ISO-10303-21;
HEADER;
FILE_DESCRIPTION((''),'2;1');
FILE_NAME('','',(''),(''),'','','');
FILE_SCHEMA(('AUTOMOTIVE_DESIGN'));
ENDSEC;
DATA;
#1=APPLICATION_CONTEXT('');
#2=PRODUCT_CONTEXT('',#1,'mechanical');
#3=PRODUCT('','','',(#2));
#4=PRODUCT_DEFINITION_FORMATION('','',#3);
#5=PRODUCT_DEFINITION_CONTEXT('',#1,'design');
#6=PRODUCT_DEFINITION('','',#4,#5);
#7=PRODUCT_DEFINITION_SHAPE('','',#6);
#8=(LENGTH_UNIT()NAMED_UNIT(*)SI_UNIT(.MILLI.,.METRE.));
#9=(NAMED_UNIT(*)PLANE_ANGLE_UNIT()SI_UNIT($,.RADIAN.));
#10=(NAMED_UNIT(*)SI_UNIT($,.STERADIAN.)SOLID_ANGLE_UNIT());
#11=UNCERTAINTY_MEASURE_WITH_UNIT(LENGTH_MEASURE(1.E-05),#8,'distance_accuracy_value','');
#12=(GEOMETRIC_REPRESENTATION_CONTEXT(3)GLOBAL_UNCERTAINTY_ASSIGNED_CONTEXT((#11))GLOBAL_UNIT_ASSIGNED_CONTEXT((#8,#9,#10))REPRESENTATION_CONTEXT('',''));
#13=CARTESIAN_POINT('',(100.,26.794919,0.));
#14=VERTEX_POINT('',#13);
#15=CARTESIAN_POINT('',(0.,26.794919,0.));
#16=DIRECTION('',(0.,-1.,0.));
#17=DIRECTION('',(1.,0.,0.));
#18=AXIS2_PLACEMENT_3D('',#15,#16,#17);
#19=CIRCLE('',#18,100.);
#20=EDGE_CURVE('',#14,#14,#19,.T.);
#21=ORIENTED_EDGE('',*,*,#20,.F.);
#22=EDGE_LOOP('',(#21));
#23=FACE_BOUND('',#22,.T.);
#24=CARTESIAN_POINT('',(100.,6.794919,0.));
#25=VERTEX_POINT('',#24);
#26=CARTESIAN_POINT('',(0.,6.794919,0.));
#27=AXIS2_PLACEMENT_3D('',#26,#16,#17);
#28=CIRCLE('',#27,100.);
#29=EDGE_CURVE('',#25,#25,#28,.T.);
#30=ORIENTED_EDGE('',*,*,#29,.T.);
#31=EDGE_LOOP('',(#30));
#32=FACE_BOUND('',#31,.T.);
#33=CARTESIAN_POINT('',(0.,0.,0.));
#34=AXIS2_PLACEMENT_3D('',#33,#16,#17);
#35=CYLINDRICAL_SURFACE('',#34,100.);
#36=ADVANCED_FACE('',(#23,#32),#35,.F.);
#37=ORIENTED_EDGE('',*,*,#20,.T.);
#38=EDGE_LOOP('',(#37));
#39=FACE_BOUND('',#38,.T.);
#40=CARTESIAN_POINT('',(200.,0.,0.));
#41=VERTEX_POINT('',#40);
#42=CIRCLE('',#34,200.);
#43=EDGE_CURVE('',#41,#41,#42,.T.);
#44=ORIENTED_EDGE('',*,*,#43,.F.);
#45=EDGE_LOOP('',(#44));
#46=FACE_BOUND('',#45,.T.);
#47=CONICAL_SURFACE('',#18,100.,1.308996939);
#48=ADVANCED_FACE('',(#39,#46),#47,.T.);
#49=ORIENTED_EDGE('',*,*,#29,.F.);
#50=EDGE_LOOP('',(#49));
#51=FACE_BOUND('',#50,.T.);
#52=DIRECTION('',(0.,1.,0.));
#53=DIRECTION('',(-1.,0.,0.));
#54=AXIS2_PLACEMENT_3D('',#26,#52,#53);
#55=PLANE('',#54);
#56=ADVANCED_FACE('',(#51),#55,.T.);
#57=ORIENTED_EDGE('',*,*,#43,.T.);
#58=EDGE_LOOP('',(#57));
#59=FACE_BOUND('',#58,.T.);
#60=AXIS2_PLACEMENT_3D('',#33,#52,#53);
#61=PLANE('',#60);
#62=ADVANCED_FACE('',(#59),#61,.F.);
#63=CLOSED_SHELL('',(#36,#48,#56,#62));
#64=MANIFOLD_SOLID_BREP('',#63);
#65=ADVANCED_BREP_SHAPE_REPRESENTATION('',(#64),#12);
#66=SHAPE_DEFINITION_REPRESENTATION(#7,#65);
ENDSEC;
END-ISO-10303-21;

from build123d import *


with BuildPart() as part:
    # Sketch1 → Revolve1 (revolve)
    with BuildSketch(Plane.XY, mode=Mode.PRIVATE) as revolve1_sk:
        Polygon((-200, 0), (0, 0), (0, 6.794919243), (-100, 6.794919243), (-100, 26.794919243), align=None)
    revolve(revolve1_sk.sketch.rotate(Axis((0, 0, 0), (0, 1, 0)), 180), axis=Axis((0, 0, 0), (0, 1, 0)))


solid = part.part
